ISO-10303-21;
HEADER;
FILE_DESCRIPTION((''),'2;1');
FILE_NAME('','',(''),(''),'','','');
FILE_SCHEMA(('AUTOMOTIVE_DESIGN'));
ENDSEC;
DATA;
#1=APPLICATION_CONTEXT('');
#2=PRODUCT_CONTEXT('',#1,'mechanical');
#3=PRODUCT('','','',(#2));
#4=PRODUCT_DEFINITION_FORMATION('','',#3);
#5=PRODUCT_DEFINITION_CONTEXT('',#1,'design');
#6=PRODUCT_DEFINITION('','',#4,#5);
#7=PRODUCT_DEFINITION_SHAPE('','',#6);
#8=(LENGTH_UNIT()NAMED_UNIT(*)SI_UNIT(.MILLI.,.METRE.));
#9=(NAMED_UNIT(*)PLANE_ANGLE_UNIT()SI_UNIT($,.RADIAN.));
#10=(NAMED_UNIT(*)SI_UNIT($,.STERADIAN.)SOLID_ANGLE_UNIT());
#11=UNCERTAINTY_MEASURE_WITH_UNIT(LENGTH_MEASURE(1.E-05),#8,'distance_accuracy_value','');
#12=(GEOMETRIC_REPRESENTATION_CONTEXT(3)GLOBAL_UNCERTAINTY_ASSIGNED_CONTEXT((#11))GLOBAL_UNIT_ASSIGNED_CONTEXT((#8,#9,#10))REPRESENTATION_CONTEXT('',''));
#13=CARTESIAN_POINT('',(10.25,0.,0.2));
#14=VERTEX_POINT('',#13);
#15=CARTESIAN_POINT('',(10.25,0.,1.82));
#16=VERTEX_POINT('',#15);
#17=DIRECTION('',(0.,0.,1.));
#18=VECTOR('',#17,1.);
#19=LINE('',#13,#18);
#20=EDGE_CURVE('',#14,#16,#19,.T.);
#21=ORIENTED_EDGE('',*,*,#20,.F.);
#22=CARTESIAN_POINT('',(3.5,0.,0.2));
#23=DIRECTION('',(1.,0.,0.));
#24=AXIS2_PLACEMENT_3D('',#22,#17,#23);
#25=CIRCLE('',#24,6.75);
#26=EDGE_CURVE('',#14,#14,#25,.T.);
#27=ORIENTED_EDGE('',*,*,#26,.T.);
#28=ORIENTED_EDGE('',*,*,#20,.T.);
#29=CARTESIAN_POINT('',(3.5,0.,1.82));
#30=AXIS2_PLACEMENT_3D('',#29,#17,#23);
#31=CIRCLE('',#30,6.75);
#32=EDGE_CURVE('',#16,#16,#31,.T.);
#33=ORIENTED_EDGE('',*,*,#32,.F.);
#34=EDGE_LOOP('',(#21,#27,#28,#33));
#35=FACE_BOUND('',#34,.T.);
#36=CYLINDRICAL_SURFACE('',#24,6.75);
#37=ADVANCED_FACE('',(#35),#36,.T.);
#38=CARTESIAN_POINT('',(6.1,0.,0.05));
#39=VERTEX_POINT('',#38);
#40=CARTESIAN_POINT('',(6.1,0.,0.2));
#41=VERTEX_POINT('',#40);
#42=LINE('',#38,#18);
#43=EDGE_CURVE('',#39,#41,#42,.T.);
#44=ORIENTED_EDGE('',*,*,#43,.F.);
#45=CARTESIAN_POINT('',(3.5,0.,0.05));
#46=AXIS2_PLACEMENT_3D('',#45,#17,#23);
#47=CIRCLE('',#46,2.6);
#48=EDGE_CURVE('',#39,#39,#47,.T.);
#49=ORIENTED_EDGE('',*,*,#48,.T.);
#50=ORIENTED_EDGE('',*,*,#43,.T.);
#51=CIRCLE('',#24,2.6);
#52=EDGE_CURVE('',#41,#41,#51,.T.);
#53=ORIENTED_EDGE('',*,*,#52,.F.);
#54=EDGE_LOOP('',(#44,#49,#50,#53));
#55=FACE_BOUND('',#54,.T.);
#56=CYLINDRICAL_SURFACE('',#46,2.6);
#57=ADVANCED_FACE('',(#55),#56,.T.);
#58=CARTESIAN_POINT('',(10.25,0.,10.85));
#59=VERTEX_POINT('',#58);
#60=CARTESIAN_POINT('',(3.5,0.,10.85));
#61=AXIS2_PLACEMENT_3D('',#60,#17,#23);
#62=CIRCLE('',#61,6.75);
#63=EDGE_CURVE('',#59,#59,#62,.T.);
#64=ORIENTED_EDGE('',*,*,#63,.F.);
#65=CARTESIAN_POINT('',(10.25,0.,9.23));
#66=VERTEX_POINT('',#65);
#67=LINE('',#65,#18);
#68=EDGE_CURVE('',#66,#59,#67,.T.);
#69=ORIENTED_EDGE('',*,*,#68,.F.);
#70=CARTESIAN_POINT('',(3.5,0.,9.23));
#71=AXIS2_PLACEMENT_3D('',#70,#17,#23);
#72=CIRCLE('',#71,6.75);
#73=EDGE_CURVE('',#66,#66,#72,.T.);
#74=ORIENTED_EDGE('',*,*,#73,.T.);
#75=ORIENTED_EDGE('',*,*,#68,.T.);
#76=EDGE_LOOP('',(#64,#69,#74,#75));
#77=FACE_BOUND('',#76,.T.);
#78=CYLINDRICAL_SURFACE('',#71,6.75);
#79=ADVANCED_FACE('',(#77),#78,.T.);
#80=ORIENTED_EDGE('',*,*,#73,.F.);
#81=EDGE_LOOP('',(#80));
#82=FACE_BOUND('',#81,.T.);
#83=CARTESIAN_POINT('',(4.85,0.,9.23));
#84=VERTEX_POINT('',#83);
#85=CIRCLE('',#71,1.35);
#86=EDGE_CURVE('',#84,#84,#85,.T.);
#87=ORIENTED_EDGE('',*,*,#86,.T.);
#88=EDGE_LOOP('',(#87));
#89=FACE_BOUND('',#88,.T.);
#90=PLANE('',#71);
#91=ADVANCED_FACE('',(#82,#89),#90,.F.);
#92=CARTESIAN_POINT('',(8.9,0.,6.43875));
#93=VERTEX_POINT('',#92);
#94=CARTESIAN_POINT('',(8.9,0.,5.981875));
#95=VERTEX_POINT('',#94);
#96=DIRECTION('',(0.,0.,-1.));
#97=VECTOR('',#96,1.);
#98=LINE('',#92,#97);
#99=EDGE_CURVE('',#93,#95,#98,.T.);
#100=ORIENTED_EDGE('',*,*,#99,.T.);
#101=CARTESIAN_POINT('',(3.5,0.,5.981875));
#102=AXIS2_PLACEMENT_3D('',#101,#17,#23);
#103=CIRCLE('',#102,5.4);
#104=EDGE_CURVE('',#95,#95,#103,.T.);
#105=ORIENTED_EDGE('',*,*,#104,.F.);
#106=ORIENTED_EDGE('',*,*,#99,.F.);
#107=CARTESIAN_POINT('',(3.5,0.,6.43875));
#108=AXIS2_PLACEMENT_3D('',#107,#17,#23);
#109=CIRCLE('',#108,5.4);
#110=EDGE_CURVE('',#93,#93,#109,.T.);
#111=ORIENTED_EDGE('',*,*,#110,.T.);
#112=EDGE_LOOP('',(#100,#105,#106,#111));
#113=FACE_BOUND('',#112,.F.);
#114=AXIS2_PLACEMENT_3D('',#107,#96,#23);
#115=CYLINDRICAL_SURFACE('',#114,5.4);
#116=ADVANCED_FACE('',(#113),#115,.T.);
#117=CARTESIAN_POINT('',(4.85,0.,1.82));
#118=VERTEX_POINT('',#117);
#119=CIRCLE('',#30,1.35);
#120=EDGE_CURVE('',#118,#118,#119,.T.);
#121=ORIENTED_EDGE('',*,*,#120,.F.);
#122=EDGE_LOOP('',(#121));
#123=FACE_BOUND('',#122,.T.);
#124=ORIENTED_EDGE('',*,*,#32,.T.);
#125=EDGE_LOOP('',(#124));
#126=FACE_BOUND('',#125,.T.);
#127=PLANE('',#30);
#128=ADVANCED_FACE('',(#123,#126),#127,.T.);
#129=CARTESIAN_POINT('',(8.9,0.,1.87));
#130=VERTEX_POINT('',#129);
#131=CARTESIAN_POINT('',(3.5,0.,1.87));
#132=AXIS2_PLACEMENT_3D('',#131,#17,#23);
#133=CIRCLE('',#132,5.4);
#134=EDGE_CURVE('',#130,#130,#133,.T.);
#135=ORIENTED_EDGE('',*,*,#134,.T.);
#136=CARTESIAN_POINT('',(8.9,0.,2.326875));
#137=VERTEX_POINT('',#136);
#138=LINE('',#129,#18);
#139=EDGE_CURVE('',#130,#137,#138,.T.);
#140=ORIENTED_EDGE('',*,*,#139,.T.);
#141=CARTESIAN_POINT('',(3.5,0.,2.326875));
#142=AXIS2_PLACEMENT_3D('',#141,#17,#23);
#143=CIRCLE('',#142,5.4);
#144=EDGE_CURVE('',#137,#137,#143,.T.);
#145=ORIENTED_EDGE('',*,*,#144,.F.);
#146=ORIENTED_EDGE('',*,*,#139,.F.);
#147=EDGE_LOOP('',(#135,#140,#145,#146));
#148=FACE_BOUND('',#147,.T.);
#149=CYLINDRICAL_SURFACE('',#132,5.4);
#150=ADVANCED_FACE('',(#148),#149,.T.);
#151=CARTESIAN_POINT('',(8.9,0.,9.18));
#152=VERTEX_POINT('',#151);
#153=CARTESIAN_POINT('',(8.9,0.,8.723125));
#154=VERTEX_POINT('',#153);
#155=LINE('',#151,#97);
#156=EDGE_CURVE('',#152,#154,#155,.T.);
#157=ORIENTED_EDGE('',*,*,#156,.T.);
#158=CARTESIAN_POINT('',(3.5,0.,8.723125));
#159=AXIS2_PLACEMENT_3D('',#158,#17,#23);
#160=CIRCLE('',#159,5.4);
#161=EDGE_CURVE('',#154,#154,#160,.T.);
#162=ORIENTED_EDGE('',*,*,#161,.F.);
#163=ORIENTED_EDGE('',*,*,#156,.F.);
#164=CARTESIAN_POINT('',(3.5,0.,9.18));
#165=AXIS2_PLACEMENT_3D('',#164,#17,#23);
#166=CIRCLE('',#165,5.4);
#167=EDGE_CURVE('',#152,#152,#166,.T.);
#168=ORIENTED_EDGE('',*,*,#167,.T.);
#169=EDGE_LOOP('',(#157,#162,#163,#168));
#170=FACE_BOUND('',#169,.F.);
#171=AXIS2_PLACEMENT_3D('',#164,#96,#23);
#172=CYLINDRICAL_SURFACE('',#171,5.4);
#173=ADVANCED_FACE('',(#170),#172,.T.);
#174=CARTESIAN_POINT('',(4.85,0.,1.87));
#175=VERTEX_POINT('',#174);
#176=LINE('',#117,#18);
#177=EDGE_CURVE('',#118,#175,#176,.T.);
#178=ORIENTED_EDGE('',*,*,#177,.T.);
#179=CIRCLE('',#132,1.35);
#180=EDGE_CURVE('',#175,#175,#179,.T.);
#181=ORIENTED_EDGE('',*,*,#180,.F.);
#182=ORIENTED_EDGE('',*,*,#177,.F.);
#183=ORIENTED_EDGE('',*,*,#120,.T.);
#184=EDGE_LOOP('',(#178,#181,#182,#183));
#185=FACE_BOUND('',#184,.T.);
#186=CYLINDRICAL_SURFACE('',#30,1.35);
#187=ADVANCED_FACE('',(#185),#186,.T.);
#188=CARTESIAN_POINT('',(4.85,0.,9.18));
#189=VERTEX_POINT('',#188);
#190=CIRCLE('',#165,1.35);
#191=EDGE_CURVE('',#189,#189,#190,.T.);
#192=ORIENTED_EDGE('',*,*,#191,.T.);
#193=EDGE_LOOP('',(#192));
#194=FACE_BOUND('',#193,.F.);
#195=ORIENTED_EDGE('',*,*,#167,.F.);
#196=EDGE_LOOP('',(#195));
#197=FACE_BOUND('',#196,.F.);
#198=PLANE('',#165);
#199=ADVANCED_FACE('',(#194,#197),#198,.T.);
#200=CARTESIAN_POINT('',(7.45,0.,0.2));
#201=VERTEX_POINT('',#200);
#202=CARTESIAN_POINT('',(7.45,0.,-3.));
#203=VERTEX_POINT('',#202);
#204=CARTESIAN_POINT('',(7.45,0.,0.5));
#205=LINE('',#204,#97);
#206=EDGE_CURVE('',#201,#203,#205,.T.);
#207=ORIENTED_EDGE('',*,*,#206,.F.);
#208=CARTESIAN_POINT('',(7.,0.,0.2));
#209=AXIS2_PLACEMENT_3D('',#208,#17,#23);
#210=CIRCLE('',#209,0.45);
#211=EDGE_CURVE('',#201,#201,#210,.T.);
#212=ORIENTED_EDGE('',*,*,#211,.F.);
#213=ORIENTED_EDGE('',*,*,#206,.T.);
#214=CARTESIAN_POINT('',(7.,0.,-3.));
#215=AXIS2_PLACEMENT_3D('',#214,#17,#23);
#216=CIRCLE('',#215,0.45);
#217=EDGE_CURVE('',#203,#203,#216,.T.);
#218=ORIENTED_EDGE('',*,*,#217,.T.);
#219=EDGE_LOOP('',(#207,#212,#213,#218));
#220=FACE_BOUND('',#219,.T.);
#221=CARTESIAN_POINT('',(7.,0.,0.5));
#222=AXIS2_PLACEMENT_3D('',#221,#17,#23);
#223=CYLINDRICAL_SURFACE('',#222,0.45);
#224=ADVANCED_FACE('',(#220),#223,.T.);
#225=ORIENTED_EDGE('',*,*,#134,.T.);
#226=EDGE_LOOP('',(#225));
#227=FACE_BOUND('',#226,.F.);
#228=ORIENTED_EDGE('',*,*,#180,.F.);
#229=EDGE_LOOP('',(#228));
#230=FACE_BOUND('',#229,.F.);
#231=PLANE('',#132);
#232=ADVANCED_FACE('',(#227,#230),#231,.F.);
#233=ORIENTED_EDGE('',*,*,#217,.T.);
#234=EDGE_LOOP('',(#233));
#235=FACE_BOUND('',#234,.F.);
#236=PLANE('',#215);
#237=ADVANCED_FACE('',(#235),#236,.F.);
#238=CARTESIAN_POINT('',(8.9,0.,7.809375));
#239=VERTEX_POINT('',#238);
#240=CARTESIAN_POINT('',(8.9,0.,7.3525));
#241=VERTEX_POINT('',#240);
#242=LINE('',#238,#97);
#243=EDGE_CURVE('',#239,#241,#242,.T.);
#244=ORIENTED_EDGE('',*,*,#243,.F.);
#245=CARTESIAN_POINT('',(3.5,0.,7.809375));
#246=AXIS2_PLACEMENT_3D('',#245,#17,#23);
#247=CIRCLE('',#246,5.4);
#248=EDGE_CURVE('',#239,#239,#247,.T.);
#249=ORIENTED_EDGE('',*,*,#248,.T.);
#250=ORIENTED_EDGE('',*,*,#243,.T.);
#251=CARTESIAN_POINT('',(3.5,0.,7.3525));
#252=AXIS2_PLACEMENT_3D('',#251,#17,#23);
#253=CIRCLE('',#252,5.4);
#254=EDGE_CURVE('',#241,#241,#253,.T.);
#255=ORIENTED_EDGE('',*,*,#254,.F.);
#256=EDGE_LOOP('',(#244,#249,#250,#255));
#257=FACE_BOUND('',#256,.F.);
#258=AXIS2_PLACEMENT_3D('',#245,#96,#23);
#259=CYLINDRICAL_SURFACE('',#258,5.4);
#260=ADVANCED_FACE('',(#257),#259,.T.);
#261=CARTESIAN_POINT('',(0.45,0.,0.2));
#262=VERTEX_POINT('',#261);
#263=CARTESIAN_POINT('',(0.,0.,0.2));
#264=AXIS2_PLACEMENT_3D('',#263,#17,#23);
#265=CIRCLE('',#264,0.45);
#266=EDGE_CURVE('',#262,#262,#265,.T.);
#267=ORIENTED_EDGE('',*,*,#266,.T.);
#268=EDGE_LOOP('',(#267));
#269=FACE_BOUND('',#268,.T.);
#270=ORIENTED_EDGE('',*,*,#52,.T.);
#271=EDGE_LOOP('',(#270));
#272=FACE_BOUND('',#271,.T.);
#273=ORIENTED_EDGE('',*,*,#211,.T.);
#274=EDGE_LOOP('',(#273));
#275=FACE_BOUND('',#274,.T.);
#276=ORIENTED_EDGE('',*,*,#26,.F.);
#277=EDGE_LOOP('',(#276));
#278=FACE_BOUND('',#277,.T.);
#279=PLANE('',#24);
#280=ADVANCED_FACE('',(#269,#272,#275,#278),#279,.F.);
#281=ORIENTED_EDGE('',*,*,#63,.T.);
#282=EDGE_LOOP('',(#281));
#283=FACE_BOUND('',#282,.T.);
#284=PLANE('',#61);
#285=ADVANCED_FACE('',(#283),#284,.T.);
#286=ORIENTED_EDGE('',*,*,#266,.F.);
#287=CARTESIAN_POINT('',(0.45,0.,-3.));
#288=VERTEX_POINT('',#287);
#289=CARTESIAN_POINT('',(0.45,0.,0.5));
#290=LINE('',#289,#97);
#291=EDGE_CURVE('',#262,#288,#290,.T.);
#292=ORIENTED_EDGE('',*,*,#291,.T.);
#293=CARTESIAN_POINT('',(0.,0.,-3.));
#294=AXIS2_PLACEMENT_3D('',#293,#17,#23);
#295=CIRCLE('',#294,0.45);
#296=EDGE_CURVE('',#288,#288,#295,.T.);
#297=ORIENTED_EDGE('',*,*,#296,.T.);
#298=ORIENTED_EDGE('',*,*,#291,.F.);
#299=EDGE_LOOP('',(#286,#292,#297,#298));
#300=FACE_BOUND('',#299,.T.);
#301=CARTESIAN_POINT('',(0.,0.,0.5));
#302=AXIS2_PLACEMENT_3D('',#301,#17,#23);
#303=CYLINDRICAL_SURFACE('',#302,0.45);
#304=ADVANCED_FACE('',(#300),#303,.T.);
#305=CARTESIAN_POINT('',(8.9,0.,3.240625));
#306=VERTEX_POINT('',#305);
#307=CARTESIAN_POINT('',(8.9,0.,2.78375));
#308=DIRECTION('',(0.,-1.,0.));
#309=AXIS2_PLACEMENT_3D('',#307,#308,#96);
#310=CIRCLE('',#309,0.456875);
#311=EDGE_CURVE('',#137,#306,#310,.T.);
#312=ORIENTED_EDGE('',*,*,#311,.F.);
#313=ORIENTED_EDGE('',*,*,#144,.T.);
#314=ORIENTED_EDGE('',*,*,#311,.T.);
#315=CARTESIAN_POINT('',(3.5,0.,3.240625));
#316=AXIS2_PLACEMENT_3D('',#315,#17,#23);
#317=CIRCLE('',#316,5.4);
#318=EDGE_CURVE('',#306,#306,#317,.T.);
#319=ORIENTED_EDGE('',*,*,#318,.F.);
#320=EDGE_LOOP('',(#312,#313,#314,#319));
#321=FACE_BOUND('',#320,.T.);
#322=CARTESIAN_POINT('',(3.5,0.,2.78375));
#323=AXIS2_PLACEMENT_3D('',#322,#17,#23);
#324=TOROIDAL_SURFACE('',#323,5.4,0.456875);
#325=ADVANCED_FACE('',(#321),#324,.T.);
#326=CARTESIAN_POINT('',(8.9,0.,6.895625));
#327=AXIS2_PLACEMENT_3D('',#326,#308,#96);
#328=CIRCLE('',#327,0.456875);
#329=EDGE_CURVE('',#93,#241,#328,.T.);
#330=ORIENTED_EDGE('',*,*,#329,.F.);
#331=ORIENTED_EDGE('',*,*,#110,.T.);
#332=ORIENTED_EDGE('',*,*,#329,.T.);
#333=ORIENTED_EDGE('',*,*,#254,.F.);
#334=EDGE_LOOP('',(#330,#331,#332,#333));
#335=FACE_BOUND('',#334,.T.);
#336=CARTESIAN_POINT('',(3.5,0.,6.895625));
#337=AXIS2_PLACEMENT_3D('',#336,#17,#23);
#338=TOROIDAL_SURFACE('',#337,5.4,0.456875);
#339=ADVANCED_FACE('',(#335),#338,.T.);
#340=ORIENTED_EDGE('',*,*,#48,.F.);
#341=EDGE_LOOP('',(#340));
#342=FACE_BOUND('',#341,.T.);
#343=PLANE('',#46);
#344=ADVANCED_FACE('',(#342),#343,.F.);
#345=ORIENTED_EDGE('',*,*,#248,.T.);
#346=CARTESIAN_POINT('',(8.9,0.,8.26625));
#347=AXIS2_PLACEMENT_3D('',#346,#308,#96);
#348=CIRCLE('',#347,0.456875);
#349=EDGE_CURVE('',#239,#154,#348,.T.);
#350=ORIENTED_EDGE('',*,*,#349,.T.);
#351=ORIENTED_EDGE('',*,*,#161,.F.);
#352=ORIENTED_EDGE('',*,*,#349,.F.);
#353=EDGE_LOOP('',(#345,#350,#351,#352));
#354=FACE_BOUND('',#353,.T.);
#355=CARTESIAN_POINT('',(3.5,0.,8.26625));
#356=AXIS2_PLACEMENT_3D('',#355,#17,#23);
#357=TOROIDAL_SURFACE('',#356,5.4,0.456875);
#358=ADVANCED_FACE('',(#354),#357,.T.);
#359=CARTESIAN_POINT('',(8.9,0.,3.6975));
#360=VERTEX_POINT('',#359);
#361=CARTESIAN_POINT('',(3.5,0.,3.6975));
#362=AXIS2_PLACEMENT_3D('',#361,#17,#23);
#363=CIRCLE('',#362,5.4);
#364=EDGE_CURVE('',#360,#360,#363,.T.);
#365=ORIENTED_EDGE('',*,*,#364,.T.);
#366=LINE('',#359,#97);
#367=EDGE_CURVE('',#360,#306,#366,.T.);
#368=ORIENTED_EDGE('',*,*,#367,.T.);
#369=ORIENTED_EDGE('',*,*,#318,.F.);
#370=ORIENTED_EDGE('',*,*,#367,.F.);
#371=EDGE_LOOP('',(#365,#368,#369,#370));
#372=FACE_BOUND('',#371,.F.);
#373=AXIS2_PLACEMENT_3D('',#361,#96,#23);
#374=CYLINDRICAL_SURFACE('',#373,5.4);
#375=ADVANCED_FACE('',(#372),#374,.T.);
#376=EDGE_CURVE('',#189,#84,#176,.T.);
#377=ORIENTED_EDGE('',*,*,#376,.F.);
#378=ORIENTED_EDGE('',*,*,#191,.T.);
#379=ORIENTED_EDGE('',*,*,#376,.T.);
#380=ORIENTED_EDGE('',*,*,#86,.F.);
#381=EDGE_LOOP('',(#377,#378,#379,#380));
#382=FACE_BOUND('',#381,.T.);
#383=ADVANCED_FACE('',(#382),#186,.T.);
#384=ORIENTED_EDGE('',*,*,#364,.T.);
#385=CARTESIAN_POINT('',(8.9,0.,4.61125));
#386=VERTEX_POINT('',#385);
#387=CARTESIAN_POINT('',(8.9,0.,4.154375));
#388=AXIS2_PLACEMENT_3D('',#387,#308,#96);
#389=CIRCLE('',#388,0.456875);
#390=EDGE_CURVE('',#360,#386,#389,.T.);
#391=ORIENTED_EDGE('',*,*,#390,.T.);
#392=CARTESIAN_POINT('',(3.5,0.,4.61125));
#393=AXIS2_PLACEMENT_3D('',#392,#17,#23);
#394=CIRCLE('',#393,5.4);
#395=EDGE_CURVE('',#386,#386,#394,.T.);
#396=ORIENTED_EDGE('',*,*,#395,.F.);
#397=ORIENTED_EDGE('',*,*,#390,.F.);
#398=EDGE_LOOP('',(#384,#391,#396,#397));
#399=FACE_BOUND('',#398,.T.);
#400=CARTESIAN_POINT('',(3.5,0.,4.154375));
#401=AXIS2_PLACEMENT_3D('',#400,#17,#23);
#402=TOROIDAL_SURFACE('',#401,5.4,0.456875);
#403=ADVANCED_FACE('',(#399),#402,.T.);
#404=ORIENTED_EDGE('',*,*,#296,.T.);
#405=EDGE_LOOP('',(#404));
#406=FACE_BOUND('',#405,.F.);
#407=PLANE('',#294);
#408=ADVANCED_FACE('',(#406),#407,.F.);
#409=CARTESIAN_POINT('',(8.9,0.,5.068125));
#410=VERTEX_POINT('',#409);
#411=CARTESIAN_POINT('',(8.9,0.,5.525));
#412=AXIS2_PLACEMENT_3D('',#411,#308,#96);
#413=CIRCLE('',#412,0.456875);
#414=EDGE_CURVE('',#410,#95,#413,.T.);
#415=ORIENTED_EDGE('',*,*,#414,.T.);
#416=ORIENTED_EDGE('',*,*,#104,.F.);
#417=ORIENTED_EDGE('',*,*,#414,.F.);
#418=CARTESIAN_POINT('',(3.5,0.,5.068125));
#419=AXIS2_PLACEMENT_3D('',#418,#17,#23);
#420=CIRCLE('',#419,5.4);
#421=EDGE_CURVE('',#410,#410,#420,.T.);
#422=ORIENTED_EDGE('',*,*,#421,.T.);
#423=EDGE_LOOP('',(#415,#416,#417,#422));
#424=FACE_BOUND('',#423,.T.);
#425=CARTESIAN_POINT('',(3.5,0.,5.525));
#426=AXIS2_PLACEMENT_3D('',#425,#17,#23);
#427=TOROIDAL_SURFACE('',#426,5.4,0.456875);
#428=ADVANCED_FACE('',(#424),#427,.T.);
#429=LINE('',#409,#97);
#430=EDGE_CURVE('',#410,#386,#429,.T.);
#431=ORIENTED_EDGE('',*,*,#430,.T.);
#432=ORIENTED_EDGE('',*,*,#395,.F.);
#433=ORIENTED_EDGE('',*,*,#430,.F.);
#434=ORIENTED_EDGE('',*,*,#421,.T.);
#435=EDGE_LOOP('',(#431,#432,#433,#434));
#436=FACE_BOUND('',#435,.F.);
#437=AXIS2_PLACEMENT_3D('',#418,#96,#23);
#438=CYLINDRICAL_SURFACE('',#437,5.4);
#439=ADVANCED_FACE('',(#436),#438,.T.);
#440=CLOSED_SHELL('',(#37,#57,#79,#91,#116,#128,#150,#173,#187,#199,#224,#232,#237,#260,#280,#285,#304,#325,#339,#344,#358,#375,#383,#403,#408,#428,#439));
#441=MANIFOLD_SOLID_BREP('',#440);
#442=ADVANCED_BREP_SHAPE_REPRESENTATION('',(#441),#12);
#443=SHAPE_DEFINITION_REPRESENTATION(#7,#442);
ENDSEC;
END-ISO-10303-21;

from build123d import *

# Parameters (mm, degrees)
SKETCH001_R  = 0.45
PAD001_DEPTH = 3.5


with BuildPart() as revolution:
    # Sketch → Revolution (revolve)
    with BuildSketch(Plane(origin=(3.5, 0, 0), x_dir=(1, 0, 0), z_dir=(0, -1, 0))):
        Polygon((0, 0.05), (2.6, 0.05), (2.6, 0.2), (6.75, 0.2), (6.75, 1.82), (1.35, 1.82), (1.35, 9.23), (6.75, 9.23), (6.75, 10.85), (0, 10.85), align=None)
    revolve(axis=Axis((3.5, 0, 0), (0, 0, 1)))


with BuildPart() as pad001:
    # Sketch001 → Pad001 (new body)
    with BuildSketch(Plane.XY.offset(0.5)):
        Circle(SKETCH001_R)
        with Locations((7, 0)):
            Circle(SKETCH001_R)
    extrude(amount=-PAD001_DEPTH)


with BuildPart() as l_radial_d13_5mm_p7_00mm_fastron_09hcp:
    # Sketch002 → Revolution001 (revolve)
    with BuildSketch(Plane(origin=(3.5, 0, 0), x_dir=(1, 0, 0), z_dir=(0, -1, 0))):
        with BuildLine():
            Line((5.4, 1.87), (1.35, 1.87))
            Line((1.35, 1.87), (1.35, 9.18))
            Line((1.35, 9.18), (5.4, 9.18))
            Line((5.4, 9.18), (5.4, 8.723125))
            ThreePointArc((5.4, 7.809375), (5.856875, 8.26625), (5.4, 8.723125))
            Line((5.4, 7.809375), (5.4, 7.3525))
            ThreePointArc((5.4, 6.43875), (5.856875, 6.895625), (5.4, 7.3525))
            Line((5.4, 6.43875), (5.4, 5.981875))
            ThreePointArc((5.4, 5.068125), (5.856875, 5.525), (5.4, 5.981875))
            Line((5.4, 5.068125), (5.4, 4.61125))
            ThreePointArc((5.4, 3.6975), (5.856875, 4.154375), (5.4, 4.61125))
            Line((5.4, 3.6975), (5.4, 3.240625))
            ThreePointArc((5.4, 2.326875), (5.856875, 2.78375), (5.4, 3.240625))
            Line((5.4, 1.87), (5.4, 2.326875))
        make_face()
    revolve(axis=Axis((3.5, 0, 0), (0, 0, 1)))

    # Revolution001_mp_cp: union Revolution, Pad001
    add(revolution.part)
    add(pad001.part)


solid = l_radial_d13_5mm_p7_00mm_fastron_09hcp.part
